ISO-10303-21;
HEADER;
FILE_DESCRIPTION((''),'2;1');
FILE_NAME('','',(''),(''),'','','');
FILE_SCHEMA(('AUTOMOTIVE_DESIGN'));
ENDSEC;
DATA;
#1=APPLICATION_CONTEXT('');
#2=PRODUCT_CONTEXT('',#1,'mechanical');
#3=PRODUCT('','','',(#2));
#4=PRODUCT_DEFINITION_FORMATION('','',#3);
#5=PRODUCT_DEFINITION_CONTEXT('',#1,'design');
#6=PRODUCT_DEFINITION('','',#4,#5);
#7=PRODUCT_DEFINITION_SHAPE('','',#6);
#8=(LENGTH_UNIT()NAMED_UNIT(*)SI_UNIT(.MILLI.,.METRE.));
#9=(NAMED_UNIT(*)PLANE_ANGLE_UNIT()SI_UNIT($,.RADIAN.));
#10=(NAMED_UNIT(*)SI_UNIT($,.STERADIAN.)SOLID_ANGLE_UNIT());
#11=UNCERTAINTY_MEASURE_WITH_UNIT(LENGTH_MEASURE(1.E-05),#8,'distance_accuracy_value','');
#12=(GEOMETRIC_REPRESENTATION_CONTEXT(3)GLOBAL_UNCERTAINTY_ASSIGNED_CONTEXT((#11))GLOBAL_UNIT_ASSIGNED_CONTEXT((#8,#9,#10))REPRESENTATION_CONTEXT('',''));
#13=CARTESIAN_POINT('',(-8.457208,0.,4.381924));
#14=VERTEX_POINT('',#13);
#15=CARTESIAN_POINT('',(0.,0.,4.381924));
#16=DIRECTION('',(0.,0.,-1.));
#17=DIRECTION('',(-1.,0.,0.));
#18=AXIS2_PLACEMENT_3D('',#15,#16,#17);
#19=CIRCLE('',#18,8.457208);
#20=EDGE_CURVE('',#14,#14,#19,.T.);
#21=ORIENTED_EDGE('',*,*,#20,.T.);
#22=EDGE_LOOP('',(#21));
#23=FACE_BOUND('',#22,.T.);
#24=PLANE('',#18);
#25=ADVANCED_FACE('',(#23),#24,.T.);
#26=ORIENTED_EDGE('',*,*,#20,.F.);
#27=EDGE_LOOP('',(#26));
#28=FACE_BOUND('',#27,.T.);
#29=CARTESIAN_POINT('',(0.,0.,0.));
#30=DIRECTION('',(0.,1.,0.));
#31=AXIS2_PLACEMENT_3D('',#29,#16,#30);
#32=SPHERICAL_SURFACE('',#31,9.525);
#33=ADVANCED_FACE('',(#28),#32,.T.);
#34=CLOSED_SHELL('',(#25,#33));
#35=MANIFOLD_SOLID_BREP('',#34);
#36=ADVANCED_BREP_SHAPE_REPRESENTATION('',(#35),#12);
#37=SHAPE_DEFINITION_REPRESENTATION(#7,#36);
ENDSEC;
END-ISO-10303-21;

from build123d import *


with BuildPart() as part:
    # Sketch1 → Revolve1 (revolve)
    with BuildSketch(Plane.YZ):
        with BuildLine():
            Line((0, 4.381924265), (8.457207857, 4.381924265))
            ThreePointArc((8.457207857, 4.381924265), (4.949131054, 8.138287707), (0, 9.525))
            Line((0, 9.525), (0, 4.381924265))
        make_face()
    revolve(axis=Axis((0, 0, 4.381924265), (0, 0, 1)))


solid = part.part
